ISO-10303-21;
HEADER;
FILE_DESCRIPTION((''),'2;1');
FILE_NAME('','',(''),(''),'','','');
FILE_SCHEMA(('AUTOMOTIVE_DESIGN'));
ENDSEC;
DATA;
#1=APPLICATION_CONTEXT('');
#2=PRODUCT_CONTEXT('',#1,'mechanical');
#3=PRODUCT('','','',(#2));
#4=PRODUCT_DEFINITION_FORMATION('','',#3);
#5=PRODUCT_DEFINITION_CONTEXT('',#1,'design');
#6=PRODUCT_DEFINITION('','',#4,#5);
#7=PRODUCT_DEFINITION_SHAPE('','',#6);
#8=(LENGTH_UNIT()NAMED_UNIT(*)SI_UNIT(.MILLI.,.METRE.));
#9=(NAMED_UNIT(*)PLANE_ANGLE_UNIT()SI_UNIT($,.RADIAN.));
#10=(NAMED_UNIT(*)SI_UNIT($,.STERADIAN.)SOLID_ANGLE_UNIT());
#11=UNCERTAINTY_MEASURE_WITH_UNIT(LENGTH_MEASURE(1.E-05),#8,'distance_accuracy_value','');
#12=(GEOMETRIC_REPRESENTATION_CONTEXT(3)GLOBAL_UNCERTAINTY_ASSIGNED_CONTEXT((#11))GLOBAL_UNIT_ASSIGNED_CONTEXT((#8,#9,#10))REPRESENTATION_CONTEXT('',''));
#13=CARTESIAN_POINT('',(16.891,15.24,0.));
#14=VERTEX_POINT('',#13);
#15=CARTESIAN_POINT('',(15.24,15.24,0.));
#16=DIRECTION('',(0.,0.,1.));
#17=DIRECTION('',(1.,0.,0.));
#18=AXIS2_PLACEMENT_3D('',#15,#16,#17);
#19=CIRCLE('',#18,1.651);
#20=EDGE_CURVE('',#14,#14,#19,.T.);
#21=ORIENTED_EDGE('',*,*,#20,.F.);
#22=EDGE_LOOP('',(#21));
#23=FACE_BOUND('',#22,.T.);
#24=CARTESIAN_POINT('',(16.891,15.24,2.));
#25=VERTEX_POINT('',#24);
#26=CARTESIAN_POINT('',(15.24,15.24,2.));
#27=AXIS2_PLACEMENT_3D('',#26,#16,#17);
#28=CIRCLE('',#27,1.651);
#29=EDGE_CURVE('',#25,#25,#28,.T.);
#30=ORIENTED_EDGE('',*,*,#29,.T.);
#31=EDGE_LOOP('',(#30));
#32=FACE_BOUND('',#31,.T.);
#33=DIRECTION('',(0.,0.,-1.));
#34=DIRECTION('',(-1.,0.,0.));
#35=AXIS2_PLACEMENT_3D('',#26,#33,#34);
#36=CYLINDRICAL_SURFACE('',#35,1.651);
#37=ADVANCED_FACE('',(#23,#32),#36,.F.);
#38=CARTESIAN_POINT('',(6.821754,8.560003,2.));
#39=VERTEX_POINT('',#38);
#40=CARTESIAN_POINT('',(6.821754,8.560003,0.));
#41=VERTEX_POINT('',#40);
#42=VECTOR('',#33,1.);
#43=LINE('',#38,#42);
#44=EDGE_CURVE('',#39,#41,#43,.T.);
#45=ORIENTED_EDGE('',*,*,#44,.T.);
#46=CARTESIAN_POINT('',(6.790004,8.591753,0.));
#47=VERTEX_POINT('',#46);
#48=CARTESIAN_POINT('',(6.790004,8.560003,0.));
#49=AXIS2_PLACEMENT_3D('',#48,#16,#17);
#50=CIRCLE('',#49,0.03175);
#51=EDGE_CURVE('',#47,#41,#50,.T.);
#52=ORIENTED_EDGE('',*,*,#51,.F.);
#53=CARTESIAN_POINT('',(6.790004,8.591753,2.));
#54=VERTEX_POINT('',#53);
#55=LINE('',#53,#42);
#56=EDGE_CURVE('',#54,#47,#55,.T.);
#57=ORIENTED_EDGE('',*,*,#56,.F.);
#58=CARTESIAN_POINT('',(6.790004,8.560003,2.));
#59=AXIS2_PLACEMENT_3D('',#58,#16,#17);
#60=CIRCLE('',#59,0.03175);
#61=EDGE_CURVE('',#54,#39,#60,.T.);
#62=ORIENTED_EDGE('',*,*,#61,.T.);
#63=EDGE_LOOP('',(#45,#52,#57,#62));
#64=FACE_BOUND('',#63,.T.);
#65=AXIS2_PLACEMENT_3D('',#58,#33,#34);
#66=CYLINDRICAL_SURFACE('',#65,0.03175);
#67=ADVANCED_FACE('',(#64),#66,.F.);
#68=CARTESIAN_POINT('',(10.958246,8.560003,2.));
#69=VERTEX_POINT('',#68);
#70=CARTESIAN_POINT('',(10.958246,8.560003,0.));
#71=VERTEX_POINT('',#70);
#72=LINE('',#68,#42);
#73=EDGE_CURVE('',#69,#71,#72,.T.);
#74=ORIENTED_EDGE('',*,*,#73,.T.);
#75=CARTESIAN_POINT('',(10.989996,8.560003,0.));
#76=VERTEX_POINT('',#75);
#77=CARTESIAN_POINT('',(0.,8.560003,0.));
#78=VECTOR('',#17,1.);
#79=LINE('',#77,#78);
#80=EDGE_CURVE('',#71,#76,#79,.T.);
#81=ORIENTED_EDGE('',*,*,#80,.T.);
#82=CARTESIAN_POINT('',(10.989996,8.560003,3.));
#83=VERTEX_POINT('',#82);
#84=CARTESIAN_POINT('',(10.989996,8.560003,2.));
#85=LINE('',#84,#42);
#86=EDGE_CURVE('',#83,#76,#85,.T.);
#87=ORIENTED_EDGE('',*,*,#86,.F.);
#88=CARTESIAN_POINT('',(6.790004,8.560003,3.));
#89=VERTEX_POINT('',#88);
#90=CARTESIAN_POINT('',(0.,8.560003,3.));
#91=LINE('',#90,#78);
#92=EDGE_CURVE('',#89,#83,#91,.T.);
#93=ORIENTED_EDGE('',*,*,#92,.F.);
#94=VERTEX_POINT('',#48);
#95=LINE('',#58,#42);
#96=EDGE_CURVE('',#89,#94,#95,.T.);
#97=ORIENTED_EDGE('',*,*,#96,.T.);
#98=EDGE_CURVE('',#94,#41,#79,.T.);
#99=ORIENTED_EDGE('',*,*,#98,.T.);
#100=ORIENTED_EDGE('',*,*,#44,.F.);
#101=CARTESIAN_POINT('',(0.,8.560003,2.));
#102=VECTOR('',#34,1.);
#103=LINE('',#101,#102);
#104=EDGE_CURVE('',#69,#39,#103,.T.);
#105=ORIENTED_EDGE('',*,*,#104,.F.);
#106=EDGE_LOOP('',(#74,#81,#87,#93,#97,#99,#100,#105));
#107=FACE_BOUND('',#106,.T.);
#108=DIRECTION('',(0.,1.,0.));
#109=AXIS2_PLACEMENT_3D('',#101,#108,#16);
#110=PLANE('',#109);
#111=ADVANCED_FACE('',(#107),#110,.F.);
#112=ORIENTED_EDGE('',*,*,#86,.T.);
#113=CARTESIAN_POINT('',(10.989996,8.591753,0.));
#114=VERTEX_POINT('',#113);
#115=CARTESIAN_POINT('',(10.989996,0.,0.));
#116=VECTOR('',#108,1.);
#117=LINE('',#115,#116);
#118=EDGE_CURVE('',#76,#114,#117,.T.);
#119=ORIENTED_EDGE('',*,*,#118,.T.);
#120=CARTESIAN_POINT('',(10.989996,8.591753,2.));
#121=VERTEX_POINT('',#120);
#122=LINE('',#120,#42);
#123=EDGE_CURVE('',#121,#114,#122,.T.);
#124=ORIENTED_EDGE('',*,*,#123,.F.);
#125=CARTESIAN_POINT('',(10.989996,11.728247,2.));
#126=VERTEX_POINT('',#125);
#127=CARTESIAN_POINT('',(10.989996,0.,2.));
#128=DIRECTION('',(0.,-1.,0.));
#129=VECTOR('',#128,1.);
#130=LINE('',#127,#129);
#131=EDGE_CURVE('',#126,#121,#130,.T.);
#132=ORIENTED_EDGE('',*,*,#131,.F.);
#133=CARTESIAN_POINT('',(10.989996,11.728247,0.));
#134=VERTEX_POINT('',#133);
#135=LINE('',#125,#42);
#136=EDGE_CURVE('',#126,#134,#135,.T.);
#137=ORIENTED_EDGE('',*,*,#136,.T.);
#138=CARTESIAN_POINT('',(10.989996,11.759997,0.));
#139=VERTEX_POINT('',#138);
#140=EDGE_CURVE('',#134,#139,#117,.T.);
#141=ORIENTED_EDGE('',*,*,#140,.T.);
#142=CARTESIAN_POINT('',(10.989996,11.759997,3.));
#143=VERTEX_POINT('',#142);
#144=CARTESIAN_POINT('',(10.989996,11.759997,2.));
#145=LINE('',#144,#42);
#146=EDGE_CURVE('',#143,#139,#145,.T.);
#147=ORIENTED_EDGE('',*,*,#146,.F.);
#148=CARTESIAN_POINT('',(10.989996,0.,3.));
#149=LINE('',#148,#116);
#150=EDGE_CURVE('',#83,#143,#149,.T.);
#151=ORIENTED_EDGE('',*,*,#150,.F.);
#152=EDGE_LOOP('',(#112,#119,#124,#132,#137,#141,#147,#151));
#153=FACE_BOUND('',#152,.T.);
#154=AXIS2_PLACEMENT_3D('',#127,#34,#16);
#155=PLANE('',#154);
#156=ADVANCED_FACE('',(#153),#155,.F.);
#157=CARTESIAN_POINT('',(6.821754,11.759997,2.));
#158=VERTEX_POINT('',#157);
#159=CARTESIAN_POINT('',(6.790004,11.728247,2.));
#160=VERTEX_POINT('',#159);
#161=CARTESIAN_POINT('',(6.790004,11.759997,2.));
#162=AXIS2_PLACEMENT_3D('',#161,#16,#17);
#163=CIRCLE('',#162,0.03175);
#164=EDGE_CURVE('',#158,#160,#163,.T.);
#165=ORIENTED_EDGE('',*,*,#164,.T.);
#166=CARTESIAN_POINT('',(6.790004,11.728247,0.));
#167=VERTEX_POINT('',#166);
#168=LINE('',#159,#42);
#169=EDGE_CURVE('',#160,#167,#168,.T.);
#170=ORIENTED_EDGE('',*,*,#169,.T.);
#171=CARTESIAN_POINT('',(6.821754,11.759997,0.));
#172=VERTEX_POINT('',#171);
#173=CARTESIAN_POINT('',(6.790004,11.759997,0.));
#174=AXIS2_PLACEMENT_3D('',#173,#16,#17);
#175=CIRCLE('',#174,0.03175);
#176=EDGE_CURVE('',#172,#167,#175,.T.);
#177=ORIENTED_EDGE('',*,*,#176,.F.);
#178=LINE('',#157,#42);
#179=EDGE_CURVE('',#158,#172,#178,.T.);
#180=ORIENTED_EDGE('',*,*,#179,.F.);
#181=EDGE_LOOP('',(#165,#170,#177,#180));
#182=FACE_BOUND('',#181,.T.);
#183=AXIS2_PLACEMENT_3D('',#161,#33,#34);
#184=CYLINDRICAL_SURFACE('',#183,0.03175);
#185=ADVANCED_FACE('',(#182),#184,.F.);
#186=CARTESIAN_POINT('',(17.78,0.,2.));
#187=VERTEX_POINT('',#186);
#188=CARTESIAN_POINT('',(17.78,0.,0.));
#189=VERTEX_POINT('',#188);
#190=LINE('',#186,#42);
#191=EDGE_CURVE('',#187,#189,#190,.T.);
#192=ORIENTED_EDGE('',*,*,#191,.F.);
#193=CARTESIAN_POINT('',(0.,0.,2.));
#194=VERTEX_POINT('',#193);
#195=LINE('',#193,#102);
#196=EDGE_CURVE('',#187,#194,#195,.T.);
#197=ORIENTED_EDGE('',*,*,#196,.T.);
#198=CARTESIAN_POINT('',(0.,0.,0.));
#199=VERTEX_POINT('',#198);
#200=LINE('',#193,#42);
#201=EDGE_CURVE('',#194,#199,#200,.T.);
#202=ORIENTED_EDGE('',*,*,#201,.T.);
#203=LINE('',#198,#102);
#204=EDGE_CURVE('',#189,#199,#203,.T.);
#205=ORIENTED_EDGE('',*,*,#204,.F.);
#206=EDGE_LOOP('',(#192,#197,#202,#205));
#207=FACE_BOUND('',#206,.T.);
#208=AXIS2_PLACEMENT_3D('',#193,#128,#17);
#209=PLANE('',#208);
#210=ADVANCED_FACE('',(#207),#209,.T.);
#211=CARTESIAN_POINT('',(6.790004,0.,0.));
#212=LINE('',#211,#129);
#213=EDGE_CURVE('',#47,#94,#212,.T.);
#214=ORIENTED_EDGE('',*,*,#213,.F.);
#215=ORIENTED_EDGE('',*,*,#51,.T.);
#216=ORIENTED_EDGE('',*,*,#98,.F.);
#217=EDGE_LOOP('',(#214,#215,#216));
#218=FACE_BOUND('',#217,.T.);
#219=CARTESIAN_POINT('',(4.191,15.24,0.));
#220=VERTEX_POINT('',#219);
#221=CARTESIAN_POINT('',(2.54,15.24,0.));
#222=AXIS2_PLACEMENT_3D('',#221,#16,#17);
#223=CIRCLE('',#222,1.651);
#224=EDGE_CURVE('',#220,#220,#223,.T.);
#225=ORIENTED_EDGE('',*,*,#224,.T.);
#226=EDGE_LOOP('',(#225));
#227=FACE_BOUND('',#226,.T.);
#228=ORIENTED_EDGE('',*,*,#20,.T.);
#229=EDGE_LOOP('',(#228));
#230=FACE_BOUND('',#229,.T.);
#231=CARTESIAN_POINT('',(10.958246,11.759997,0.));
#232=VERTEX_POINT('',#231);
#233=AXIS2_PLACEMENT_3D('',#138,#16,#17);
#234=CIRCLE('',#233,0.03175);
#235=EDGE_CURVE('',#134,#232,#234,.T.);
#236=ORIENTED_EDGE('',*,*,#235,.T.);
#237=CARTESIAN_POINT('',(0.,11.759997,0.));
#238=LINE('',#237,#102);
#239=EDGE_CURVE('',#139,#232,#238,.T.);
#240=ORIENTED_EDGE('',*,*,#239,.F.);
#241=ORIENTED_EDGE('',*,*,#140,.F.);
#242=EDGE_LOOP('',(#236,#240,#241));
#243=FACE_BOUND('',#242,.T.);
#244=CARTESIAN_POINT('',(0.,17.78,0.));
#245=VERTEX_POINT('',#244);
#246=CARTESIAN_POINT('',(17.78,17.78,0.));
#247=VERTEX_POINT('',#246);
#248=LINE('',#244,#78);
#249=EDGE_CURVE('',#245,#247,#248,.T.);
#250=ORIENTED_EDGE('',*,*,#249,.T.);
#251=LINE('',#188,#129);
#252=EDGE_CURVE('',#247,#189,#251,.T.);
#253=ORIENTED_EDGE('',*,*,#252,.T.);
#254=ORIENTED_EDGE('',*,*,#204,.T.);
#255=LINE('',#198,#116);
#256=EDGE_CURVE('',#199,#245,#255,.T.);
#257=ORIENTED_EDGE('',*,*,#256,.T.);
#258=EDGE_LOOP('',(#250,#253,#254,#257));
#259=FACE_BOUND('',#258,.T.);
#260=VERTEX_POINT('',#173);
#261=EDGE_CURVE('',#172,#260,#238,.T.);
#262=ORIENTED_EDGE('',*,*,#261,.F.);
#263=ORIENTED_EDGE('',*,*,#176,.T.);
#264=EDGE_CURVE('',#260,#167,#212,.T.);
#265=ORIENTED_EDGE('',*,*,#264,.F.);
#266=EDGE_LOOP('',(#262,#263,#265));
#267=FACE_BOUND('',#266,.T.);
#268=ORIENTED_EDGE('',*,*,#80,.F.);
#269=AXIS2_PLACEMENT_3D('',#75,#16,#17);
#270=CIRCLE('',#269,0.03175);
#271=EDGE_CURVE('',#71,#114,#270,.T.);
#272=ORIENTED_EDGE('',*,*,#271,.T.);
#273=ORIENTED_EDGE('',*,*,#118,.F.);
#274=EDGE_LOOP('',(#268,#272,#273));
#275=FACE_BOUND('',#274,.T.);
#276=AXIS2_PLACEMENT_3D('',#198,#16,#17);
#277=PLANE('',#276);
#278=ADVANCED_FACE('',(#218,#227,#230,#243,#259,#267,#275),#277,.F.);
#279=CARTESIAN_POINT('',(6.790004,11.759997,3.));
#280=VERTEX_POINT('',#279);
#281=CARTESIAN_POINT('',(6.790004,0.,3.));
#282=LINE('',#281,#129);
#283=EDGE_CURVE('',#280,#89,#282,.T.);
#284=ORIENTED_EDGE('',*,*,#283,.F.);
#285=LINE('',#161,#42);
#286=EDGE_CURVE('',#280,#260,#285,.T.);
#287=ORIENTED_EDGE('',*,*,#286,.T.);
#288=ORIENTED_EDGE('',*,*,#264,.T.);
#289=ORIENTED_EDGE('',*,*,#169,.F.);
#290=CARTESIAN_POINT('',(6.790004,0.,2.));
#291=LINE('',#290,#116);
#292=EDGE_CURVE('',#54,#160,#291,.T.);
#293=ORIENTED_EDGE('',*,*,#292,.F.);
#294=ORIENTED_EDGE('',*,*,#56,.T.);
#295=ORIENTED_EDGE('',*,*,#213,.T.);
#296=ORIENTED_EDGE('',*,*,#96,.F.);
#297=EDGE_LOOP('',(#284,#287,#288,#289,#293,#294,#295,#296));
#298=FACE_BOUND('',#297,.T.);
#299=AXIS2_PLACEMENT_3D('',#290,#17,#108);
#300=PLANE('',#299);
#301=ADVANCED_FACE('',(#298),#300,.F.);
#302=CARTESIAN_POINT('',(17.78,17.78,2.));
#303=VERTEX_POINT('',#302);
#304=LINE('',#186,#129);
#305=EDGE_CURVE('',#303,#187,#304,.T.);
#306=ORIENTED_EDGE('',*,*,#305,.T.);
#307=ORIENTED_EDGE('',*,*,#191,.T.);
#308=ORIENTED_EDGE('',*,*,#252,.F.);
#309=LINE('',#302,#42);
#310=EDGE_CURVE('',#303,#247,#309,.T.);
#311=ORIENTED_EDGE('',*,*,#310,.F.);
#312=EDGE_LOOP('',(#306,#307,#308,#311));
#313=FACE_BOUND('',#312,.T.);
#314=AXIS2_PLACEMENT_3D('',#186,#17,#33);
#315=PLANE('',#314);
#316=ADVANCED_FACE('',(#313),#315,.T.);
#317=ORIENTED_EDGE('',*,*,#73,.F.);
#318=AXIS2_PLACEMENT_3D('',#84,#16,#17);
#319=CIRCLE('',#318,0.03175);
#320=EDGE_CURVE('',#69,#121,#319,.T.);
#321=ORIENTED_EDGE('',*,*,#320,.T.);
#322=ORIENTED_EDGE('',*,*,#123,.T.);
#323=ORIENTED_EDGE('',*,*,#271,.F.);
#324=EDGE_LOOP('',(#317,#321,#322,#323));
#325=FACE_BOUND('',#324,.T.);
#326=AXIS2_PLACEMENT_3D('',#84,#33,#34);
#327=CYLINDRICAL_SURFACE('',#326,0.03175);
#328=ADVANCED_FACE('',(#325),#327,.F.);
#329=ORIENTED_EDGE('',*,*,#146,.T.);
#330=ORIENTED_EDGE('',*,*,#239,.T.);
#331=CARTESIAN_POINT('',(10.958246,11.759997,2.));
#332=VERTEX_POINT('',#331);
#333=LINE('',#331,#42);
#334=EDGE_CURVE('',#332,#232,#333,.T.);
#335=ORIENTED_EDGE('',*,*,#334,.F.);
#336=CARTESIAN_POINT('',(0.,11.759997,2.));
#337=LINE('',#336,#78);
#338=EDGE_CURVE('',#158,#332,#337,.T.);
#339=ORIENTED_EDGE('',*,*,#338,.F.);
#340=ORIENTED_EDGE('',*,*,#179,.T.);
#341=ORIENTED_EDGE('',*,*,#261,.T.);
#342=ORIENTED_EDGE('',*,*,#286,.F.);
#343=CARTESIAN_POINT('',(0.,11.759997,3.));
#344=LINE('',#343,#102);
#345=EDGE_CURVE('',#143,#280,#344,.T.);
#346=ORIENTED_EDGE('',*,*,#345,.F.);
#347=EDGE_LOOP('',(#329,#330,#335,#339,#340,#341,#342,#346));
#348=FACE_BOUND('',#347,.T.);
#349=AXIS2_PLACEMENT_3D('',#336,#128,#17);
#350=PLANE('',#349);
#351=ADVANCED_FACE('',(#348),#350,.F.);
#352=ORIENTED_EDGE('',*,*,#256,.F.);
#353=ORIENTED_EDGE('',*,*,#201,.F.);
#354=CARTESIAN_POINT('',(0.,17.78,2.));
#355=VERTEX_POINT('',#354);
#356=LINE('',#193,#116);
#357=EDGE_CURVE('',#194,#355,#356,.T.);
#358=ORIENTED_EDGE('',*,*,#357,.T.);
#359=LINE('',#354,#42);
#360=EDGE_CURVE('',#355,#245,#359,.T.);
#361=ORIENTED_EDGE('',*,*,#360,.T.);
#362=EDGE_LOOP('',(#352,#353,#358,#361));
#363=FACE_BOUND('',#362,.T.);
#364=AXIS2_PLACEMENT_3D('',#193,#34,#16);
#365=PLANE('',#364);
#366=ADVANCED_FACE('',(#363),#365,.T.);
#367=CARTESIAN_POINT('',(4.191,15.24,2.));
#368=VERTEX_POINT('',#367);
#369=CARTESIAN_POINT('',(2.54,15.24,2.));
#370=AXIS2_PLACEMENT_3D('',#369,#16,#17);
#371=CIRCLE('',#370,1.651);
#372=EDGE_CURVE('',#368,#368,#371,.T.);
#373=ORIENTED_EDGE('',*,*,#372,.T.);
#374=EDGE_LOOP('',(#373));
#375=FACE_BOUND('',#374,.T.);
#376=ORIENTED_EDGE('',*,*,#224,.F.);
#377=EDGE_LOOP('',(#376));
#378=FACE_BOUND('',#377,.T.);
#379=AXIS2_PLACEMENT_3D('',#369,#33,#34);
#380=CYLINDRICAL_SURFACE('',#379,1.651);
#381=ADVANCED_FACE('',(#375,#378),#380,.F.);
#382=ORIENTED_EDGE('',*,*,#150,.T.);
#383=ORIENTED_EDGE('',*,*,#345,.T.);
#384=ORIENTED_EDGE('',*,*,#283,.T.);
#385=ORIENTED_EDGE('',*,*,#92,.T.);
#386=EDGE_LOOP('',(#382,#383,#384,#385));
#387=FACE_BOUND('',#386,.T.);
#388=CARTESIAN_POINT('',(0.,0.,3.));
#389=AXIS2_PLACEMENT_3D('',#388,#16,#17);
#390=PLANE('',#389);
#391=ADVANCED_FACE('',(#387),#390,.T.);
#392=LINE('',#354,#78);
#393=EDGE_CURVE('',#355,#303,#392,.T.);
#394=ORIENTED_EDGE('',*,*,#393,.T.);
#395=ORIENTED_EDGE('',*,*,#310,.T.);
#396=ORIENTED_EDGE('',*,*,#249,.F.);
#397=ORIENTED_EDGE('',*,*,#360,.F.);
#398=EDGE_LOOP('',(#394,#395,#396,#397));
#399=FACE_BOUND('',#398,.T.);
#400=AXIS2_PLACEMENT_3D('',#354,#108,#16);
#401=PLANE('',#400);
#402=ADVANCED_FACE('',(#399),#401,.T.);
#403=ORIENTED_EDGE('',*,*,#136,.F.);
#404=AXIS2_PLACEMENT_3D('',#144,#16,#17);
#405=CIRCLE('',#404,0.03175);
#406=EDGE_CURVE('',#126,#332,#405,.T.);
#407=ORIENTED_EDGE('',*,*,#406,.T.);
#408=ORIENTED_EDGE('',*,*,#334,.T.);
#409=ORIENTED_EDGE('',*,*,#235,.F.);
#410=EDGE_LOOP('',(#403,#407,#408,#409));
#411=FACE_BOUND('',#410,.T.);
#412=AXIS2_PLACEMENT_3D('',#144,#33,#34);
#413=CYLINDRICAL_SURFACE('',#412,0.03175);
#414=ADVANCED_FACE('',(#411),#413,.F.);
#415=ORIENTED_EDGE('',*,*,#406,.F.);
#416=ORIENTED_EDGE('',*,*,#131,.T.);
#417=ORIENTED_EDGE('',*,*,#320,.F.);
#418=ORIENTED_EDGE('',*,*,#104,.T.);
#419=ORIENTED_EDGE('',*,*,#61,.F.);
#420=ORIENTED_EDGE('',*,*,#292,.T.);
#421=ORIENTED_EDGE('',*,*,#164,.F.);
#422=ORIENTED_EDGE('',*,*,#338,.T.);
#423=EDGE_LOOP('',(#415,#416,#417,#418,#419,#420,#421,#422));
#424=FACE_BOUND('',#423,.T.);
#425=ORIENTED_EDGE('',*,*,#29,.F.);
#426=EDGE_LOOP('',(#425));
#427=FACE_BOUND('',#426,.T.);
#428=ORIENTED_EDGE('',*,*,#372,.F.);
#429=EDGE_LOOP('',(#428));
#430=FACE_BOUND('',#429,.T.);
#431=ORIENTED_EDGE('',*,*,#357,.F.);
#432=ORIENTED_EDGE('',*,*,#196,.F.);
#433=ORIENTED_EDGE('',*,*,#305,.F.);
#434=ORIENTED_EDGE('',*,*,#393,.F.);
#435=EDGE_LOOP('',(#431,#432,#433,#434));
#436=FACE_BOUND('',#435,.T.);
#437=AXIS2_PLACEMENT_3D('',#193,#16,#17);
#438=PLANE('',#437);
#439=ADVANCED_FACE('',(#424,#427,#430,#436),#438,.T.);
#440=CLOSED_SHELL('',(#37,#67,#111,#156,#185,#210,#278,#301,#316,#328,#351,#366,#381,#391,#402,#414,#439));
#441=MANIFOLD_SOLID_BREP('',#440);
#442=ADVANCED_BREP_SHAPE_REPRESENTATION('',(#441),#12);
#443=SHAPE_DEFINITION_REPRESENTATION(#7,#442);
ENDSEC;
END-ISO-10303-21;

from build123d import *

# Parameters (mm, degrees)
MODEL_W             = 17.78
MODEL_H             = 17.78
MODEL_R             = 1.651
BOSS_EXTRUDE1_DEPTH = 2
BOSS_EXTRUDE2_DEPTH = 3


with BuildPart() as part:
    # Model → Boss-Extrude1 (new body)
    with BuildSketch(Plane.XY):
        with Locations((8.89, 8.89)):
            Rectangle(MODEL_W, MODEL_H)
        with Locations((2.54, 15.24)):
            Circle(MODEL_R, mode=Mode.SUBTRACT)
        with BuildLine():
            Line((10.9582458, 8.5600032), (10.9899958, 8.5600032))
            Line((10.9899958, 8.5600032), (10.9899958, 8.5917532))
            ThreePointArc((10.9899958, 8.5917532), (11.01244644, 8.53755256), (10.9582458, 8.5600032))
        make_face(mode=Mode.SUBTRACT)
        with BuildLine():
            Line((10.9899958, 11.7282468), (10.9899958, 11.7599968))
            Line((10.9899958, 11.7599968), (10.9582458, 11.7599968))
            ThreePointArc((10.9582458, 11.7599968), (11.01244644, 11.78244744), (10.9899958, 11.7282468))
        make_face(mode=Mode.SUBTRACT)
        with BuildLine():
            Line((6.8217542, 11.7599968), (6.7900042, 11.7599968))
            Line((6.7900042, 11.7599968), (6.7900042, 11.7282468))
            ThreePointArc((6.7900042, 11.7282468), (6.76755356, 11.78244744), (6.8217542, 11.7599968))
        make_face(mode=Mode.SUBTRACT)
        with BuildLine():
            Line((6.7900042, 8.5917532), (6.7900042, 8.5600032))
            Line((6.7900042, 8.5600032), (6.8217542, 8.5600032))
            ThreePointArc((6.8217542, 8.5600032), (6.76755356, 8.53755256), (6.7900042, 8.5917532))
        make_face(mode=Mode.SUBTRACT)
        with Locations((15.24, 15.24)):
            Circle(MODEL_R, mode=Mode.SUBTRACT)
    extrude(amount=BOSS_EXTRUDE1_DEPTH)

    # Model<3> → Boss-Extrude2 (add)
    with BuildSketch(Plane.XY):
        Polygon((6.7900042, 8.5917532), (6.7900042, 8.5600032), (6.8217542, 8.5600032), (10.9582458, 8.5600032), (10.9899958, 8.5600032), (10.9899958, 8.5917532), (10.9899958, 11.7282468), (10.9899958, 11.7599968), (10.9582458, 11.7599968), (6.8217542, 11.7599968), (6.7900042, 11.7599968), (6.7900042, 11.7282468), align=None)
    extrude(amount=BOSS_EXTRUDE2_DEPTH)


solid = part.part
